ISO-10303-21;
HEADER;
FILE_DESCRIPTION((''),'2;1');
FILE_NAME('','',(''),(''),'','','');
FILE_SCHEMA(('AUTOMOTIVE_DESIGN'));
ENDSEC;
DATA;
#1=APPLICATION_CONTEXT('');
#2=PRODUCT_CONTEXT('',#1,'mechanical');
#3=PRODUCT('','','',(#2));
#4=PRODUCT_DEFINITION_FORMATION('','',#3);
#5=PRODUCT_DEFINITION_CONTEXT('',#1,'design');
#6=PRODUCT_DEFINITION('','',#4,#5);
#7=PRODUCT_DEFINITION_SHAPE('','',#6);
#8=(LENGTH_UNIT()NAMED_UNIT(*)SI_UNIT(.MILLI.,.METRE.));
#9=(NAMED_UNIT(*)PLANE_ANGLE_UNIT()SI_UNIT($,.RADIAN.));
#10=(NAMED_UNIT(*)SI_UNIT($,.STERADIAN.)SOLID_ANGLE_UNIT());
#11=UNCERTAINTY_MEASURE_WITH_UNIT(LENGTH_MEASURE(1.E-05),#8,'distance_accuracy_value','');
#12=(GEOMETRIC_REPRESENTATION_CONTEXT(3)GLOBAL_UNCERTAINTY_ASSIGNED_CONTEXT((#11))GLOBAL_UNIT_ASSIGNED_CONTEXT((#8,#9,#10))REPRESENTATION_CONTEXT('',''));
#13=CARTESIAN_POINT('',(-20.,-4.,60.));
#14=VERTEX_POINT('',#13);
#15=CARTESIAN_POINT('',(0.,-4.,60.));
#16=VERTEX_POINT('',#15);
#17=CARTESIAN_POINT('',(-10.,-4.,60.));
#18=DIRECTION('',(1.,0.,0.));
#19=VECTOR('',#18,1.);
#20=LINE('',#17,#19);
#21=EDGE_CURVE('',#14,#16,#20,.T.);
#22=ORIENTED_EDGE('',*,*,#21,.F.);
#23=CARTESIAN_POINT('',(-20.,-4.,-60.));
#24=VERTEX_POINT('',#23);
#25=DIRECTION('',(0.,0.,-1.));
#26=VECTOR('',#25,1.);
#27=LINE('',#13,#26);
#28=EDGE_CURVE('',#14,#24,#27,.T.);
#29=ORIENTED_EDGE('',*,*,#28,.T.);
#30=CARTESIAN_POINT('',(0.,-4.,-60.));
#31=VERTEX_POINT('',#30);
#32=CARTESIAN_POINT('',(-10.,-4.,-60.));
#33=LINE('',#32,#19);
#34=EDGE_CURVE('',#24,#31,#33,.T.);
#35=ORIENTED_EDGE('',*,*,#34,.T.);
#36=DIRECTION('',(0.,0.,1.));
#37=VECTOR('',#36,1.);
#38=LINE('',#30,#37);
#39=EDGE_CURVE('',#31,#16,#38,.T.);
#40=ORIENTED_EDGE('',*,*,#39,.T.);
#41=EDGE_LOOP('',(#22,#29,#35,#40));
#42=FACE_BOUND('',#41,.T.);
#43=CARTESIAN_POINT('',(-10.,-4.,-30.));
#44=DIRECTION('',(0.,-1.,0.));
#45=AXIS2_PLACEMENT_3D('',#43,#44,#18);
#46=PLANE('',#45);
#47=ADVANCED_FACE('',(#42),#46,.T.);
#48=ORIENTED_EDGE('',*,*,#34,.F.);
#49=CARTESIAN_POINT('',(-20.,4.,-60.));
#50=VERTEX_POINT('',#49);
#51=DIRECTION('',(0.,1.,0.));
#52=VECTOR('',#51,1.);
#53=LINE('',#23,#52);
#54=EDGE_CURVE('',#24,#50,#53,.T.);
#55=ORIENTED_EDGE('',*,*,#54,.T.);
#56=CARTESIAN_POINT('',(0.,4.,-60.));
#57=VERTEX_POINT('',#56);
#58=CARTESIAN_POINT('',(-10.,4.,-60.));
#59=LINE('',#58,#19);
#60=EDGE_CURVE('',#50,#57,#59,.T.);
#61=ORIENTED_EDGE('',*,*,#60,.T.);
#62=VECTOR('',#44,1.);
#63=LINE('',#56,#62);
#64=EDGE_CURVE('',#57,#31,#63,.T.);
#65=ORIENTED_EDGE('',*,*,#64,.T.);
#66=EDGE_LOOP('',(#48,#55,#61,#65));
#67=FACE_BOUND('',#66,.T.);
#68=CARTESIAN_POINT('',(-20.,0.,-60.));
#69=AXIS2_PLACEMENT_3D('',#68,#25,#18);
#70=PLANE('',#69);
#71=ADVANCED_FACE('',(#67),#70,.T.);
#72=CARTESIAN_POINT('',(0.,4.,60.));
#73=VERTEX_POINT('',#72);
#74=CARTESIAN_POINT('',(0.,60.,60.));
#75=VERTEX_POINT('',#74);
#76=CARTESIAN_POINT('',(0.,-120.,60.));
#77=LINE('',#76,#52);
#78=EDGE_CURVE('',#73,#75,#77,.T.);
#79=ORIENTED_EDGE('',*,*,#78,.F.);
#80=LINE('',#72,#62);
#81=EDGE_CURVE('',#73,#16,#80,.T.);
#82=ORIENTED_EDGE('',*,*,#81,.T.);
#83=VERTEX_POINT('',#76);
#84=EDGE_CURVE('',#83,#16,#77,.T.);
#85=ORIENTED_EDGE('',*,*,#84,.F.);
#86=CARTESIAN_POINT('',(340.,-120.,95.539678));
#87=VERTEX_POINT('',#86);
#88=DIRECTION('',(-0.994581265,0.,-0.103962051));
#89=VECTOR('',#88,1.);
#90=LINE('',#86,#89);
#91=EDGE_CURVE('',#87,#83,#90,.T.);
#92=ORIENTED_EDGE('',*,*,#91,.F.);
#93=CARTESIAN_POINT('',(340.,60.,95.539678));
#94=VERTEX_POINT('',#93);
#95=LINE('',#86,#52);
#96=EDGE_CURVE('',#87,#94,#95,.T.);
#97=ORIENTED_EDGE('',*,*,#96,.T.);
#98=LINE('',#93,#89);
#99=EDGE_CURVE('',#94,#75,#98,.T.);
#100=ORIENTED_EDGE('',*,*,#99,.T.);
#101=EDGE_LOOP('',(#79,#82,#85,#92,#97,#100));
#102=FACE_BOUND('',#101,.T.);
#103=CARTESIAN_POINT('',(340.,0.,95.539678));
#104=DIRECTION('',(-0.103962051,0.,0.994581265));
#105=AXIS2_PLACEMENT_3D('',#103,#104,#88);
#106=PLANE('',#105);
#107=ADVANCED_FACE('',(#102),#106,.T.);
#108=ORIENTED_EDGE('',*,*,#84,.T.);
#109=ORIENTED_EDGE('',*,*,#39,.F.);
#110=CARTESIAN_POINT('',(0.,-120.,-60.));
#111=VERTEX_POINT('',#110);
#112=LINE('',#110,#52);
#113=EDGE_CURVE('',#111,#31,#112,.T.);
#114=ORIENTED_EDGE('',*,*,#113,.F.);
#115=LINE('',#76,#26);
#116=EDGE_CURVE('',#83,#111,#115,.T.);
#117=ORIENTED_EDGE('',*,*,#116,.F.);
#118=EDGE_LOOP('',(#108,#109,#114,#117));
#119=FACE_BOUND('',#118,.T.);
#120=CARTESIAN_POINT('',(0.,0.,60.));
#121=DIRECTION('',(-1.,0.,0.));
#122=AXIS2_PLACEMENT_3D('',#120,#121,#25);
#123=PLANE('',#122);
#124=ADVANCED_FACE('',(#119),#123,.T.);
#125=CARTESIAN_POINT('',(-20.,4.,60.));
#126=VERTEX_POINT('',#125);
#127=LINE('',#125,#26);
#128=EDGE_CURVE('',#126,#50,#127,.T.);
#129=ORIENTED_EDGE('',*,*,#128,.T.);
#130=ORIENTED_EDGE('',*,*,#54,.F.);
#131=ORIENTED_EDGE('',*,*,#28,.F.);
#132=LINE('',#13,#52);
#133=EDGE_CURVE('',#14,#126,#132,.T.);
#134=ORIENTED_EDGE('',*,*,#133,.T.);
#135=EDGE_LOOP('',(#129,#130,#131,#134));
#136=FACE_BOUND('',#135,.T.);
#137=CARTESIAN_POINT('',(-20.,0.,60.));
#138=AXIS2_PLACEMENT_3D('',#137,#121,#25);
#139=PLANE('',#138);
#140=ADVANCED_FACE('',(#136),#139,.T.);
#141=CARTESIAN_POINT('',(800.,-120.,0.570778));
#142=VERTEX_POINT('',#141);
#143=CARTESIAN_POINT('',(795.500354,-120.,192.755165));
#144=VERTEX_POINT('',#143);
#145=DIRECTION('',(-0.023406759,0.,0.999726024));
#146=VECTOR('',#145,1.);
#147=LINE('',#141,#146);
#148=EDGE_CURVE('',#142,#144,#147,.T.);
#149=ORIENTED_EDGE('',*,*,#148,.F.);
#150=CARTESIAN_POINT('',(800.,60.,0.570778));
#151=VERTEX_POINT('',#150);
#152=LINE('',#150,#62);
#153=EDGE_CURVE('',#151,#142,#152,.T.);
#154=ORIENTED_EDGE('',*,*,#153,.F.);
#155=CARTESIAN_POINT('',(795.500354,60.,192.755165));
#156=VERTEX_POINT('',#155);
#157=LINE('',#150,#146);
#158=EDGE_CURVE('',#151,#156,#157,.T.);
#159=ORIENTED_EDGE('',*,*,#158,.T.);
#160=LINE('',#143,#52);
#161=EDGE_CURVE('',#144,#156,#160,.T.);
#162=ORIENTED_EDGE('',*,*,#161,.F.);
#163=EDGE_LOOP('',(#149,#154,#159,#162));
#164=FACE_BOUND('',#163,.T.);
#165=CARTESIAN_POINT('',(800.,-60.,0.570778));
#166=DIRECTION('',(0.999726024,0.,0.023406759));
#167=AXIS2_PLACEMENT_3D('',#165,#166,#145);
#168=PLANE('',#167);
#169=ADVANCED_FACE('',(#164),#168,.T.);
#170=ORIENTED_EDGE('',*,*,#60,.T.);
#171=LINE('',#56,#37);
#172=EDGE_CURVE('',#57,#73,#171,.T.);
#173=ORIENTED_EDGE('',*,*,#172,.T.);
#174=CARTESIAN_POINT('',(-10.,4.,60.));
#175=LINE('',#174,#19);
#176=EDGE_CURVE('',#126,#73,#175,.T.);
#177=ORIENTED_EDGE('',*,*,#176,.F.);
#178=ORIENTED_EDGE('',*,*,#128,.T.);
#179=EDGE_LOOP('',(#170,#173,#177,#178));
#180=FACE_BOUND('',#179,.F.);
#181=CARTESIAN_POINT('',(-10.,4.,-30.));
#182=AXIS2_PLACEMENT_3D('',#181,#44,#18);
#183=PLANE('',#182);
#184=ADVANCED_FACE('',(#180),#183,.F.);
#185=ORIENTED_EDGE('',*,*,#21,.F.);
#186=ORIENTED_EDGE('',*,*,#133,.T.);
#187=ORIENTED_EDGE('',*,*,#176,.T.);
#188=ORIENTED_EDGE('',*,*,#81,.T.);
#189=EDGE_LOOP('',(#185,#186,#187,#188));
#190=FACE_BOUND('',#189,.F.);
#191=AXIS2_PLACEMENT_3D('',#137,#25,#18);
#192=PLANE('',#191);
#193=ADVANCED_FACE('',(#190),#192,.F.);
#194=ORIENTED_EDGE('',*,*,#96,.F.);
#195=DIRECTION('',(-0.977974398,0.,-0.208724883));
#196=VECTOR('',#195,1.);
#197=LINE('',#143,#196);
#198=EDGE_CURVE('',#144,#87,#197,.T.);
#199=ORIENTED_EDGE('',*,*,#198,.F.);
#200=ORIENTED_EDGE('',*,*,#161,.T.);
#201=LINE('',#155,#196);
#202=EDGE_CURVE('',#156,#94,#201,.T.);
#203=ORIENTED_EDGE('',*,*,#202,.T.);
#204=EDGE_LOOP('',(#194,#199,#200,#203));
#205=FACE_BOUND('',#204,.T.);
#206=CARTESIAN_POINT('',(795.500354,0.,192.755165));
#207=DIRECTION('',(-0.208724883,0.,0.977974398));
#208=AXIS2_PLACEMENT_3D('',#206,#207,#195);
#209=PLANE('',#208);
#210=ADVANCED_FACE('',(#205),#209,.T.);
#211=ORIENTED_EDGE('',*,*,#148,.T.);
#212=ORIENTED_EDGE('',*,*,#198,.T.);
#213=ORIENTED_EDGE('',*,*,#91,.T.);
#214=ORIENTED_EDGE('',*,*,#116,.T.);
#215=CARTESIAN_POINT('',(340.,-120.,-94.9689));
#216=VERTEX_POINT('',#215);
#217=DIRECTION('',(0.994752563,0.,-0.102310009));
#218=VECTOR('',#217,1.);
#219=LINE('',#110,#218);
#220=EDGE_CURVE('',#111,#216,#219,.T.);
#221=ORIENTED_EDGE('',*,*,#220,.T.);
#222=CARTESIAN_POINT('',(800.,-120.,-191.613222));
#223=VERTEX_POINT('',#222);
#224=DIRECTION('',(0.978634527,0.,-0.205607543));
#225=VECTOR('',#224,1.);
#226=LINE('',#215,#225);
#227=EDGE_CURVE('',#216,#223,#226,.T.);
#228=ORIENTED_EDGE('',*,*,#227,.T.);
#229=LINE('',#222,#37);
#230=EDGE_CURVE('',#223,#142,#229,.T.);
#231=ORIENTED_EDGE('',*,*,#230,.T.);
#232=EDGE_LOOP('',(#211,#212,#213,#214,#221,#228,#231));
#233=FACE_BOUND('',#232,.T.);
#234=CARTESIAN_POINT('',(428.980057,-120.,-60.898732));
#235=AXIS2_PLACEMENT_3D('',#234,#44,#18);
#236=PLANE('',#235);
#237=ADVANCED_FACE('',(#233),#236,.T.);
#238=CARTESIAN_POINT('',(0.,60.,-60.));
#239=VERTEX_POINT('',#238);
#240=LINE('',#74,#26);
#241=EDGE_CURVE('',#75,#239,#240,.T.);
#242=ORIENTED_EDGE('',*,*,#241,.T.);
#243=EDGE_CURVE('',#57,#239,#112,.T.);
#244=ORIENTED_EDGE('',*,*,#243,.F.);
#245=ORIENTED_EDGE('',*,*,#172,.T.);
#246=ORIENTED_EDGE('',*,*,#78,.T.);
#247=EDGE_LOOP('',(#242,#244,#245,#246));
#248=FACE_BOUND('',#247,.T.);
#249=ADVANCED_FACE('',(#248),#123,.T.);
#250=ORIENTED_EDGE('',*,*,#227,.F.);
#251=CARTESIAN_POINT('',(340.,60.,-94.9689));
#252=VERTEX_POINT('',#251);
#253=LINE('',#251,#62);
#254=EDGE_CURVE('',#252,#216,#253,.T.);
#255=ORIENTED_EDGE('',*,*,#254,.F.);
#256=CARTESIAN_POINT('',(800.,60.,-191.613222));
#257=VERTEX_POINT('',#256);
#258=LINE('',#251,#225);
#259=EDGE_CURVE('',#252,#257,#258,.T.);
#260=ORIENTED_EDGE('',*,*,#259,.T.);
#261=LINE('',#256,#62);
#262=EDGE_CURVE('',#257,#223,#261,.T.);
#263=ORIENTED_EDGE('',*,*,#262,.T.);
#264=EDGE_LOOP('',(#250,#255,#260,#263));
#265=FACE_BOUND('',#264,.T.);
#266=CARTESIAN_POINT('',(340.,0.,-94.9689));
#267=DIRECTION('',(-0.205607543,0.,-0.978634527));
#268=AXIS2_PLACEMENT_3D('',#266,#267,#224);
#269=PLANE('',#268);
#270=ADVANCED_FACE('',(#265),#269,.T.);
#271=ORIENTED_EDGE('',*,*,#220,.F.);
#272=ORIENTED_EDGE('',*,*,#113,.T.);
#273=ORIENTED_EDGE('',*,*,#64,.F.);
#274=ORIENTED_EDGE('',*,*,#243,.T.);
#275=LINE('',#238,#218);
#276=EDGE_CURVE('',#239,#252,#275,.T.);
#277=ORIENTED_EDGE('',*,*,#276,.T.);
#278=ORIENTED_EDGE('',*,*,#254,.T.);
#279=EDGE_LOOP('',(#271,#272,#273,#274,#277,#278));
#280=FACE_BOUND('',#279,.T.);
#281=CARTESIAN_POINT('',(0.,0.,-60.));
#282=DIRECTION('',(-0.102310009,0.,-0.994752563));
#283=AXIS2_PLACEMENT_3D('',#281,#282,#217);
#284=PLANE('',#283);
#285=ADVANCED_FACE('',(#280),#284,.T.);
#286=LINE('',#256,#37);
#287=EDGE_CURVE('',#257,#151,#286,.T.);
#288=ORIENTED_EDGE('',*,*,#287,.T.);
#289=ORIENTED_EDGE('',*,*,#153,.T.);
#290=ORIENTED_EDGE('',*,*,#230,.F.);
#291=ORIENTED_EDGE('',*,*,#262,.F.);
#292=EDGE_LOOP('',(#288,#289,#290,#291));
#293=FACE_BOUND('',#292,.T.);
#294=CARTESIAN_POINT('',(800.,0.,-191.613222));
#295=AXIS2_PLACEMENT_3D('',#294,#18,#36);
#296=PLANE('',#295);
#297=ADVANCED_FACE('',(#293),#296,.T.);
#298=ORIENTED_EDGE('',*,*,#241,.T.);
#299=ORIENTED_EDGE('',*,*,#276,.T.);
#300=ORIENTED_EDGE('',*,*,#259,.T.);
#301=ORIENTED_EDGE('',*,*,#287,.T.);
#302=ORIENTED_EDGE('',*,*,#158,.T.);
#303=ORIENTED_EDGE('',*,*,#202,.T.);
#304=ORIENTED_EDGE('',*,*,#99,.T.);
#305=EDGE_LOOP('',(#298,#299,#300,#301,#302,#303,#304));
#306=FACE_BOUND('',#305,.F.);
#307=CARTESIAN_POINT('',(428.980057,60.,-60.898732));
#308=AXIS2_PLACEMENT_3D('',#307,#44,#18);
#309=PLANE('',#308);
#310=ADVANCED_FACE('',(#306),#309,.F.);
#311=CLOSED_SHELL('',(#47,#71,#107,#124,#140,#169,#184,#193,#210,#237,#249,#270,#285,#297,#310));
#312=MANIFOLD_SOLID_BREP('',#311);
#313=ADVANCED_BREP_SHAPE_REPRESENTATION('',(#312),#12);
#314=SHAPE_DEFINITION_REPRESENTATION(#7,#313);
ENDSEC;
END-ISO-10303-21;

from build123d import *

# Parameters (mm, degrees)
F1_DEPTH = 4
F2_DEPTH = 60
F3_DEPTH = 60
F4_W     = 20
F4_H     = 60
F5_DEPTH = 4


with BuildPart() as f1:
    # F0 (on Front) → F1 (new body, symmetric)
    with BuildSketch(Plane.XZ):
        with BuildLine():
            Line((0, 0.0707786067), (0, 0))
            Line((0, 0), (0, -60))
            Line((0, -60), (340, -94.9689))
            Line((340, -94.9689), (800, -191.6132215183))
            Line((800, -191.6132215183), (800, 0.5707784817))
            Line((800, 0.5707784817), (0.5003536116, 0.5707784817))
            ThreePointArc((0.5003536116, 0.5707784817), (0.1465716521, 0.4244569958), (0, 0.0707786067))
        make_face()
        with BuildLine():
            Line((0, 60), (0, 0.0707786067))
            ThreePointArc((0, 0.0707786067), (0.1465716521, 0.4244569958), (0.5003536116, 0.5707784817))
            Line((0.5003536116, 0.5707784817), (800, 0.5707784817))
            Line((800, 0.5707784817), (795.5003536116, 192.755164923))
            Line((795.5003536116, 192.755164923), (340, 95.539677511))
            Line((340, 95.539677511), (0, 60))
        make_face()
    extrude(amount=F1_DEPTH, both=True)

    # F0 (on Front) → F2 (join, symmetric)
    with BuildSketch(Plane.XZ):
        with BuildLine():
            Line((0, 0.0707786067), (0, 0))
            Line((0, 0), (0, -60))
            Line((0, -60), (340, -94.9689))
            Line((340, -94.9689), (800, -191.6132215183))
            Line((800, -191.6132215183), (800, 0.5707784817))
            Line((800, 0.5707784817), (0.5003536116, 0.5707784817))
            ThreePointArc((0.5003536116, 0.5707784817), (0.1465716521, 0.4244569958), (0, 0.0707786067))
        make_face()
        with BuildLine():
            Line((0, 60), (0, 0.0707786067))
            ThreePointArc((0, 0.0707786067), (0.1465716521, 0.4244569958), (0.5003536116, 0.5707784817))
            Line((0.5003536116, 0.5707784817), (800, 0.5707784817))
            Line((800, 0.5707784817), (795.5003536116, 192.755164923))
            Line((795.5003536116, 192.755164923), (340, 95.539677511))
            Line((340, 95.539677511), (0, 60))
        make_face()
    extrude(amount=F2_DEPTH, both=True)

    # F3 (add, symmetric): a face of the model
    f3_faces = [f1.faces().sort_by_distance(p)[0] for p in [
        (477.468484718, -60, 0.2503652073),
    ]]
    extrude(f3_faces, amount=F3_DEPTH, both=True)

    # F4 (on Front) → F5 (join, symmetric)
    with BuildSketch(Plane.XZ):
        with Locations((-10, -30)):
            Rectangle(F4_W, F4_H)
        with Locations((-10, 30)):
            Rectangle(F4_W, F4_H)
    extrude(amount=F5_DEPTH, both=True)


solid = f1.part
